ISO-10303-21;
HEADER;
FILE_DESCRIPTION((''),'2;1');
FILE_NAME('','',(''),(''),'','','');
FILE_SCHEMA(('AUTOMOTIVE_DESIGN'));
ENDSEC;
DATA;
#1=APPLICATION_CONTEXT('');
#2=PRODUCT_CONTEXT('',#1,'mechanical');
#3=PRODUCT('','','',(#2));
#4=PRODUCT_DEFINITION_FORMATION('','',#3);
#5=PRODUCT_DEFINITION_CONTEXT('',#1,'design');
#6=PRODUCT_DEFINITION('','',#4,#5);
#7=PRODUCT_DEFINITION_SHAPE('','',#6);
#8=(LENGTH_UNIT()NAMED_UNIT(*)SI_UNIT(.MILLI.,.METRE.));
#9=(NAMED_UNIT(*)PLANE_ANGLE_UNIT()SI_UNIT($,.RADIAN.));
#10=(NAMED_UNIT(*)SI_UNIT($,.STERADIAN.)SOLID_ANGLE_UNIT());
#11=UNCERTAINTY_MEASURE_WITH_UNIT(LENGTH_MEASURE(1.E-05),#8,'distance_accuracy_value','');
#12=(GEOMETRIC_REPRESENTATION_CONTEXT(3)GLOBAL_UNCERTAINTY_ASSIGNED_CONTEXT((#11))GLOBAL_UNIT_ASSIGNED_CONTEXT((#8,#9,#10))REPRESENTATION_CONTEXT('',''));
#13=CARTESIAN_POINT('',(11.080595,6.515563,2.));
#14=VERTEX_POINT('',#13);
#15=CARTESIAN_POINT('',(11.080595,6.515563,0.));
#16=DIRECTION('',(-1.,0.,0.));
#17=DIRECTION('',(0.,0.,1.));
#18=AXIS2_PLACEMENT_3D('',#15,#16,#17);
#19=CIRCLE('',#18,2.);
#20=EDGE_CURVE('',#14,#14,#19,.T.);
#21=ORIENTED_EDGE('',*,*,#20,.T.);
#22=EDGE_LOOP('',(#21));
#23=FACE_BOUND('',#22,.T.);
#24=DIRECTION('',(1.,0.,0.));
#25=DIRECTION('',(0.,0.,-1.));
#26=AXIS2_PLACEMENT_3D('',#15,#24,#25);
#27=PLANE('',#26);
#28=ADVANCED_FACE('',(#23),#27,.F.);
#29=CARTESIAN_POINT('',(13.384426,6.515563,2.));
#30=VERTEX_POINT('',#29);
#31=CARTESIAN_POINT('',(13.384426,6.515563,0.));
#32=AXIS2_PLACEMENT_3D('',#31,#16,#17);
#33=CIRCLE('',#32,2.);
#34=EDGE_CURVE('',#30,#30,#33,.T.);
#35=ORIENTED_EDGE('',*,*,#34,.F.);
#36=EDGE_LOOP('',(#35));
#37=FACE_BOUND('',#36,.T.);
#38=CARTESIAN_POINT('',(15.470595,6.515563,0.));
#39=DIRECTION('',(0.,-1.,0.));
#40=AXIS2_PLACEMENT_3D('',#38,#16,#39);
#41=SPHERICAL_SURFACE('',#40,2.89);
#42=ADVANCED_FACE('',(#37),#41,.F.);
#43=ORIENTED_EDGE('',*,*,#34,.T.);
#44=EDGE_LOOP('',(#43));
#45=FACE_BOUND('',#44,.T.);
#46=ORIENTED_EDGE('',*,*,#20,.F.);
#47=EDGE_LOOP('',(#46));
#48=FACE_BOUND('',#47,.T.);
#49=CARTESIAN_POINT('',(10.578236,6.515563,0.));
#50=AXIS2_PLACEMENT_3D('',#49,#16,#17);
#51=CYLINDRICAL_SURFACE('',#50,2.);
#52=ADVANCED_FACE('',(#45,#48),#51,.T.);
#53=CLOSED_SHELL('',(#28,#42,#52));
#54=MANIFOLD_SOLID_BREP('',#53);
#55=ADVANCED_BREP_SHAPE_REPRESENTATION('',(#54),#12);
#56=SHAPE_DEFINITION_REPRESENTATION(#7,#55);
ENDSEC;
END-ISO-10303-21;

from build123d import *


with BuildPart() as part:
    # 草图1 → 旋转1 (revolve)
    with BuildSketch(Plane.XY, mode=Mode.PRIVATE) as revolve_1_sk:
        with BuildLine():
            Line((11.080595085, 6.515563046), (11.080595085, 8.515563046))
            Line((11.080595085, 8.515563046), (13.384426348, 8.515563046))
            ThreePointArc((13.384426348, 8.515563046), (12.789072416, 7.593308922), (12.580595085, 6.515563046))
            Line((12.580595085, 6.515563046), (11.080595085, 6.515563046))
        make_face()
    revolve(revolve_1_sk.sketch.rotate(Axis((10.578235961, 6.515563046, 0), (1, 0, 0)), 180), axis=Axis((10.578235961, 6.515563046, 0), (1, 0, 0)))  # turned: the seam where the file's is


solid = part.part
